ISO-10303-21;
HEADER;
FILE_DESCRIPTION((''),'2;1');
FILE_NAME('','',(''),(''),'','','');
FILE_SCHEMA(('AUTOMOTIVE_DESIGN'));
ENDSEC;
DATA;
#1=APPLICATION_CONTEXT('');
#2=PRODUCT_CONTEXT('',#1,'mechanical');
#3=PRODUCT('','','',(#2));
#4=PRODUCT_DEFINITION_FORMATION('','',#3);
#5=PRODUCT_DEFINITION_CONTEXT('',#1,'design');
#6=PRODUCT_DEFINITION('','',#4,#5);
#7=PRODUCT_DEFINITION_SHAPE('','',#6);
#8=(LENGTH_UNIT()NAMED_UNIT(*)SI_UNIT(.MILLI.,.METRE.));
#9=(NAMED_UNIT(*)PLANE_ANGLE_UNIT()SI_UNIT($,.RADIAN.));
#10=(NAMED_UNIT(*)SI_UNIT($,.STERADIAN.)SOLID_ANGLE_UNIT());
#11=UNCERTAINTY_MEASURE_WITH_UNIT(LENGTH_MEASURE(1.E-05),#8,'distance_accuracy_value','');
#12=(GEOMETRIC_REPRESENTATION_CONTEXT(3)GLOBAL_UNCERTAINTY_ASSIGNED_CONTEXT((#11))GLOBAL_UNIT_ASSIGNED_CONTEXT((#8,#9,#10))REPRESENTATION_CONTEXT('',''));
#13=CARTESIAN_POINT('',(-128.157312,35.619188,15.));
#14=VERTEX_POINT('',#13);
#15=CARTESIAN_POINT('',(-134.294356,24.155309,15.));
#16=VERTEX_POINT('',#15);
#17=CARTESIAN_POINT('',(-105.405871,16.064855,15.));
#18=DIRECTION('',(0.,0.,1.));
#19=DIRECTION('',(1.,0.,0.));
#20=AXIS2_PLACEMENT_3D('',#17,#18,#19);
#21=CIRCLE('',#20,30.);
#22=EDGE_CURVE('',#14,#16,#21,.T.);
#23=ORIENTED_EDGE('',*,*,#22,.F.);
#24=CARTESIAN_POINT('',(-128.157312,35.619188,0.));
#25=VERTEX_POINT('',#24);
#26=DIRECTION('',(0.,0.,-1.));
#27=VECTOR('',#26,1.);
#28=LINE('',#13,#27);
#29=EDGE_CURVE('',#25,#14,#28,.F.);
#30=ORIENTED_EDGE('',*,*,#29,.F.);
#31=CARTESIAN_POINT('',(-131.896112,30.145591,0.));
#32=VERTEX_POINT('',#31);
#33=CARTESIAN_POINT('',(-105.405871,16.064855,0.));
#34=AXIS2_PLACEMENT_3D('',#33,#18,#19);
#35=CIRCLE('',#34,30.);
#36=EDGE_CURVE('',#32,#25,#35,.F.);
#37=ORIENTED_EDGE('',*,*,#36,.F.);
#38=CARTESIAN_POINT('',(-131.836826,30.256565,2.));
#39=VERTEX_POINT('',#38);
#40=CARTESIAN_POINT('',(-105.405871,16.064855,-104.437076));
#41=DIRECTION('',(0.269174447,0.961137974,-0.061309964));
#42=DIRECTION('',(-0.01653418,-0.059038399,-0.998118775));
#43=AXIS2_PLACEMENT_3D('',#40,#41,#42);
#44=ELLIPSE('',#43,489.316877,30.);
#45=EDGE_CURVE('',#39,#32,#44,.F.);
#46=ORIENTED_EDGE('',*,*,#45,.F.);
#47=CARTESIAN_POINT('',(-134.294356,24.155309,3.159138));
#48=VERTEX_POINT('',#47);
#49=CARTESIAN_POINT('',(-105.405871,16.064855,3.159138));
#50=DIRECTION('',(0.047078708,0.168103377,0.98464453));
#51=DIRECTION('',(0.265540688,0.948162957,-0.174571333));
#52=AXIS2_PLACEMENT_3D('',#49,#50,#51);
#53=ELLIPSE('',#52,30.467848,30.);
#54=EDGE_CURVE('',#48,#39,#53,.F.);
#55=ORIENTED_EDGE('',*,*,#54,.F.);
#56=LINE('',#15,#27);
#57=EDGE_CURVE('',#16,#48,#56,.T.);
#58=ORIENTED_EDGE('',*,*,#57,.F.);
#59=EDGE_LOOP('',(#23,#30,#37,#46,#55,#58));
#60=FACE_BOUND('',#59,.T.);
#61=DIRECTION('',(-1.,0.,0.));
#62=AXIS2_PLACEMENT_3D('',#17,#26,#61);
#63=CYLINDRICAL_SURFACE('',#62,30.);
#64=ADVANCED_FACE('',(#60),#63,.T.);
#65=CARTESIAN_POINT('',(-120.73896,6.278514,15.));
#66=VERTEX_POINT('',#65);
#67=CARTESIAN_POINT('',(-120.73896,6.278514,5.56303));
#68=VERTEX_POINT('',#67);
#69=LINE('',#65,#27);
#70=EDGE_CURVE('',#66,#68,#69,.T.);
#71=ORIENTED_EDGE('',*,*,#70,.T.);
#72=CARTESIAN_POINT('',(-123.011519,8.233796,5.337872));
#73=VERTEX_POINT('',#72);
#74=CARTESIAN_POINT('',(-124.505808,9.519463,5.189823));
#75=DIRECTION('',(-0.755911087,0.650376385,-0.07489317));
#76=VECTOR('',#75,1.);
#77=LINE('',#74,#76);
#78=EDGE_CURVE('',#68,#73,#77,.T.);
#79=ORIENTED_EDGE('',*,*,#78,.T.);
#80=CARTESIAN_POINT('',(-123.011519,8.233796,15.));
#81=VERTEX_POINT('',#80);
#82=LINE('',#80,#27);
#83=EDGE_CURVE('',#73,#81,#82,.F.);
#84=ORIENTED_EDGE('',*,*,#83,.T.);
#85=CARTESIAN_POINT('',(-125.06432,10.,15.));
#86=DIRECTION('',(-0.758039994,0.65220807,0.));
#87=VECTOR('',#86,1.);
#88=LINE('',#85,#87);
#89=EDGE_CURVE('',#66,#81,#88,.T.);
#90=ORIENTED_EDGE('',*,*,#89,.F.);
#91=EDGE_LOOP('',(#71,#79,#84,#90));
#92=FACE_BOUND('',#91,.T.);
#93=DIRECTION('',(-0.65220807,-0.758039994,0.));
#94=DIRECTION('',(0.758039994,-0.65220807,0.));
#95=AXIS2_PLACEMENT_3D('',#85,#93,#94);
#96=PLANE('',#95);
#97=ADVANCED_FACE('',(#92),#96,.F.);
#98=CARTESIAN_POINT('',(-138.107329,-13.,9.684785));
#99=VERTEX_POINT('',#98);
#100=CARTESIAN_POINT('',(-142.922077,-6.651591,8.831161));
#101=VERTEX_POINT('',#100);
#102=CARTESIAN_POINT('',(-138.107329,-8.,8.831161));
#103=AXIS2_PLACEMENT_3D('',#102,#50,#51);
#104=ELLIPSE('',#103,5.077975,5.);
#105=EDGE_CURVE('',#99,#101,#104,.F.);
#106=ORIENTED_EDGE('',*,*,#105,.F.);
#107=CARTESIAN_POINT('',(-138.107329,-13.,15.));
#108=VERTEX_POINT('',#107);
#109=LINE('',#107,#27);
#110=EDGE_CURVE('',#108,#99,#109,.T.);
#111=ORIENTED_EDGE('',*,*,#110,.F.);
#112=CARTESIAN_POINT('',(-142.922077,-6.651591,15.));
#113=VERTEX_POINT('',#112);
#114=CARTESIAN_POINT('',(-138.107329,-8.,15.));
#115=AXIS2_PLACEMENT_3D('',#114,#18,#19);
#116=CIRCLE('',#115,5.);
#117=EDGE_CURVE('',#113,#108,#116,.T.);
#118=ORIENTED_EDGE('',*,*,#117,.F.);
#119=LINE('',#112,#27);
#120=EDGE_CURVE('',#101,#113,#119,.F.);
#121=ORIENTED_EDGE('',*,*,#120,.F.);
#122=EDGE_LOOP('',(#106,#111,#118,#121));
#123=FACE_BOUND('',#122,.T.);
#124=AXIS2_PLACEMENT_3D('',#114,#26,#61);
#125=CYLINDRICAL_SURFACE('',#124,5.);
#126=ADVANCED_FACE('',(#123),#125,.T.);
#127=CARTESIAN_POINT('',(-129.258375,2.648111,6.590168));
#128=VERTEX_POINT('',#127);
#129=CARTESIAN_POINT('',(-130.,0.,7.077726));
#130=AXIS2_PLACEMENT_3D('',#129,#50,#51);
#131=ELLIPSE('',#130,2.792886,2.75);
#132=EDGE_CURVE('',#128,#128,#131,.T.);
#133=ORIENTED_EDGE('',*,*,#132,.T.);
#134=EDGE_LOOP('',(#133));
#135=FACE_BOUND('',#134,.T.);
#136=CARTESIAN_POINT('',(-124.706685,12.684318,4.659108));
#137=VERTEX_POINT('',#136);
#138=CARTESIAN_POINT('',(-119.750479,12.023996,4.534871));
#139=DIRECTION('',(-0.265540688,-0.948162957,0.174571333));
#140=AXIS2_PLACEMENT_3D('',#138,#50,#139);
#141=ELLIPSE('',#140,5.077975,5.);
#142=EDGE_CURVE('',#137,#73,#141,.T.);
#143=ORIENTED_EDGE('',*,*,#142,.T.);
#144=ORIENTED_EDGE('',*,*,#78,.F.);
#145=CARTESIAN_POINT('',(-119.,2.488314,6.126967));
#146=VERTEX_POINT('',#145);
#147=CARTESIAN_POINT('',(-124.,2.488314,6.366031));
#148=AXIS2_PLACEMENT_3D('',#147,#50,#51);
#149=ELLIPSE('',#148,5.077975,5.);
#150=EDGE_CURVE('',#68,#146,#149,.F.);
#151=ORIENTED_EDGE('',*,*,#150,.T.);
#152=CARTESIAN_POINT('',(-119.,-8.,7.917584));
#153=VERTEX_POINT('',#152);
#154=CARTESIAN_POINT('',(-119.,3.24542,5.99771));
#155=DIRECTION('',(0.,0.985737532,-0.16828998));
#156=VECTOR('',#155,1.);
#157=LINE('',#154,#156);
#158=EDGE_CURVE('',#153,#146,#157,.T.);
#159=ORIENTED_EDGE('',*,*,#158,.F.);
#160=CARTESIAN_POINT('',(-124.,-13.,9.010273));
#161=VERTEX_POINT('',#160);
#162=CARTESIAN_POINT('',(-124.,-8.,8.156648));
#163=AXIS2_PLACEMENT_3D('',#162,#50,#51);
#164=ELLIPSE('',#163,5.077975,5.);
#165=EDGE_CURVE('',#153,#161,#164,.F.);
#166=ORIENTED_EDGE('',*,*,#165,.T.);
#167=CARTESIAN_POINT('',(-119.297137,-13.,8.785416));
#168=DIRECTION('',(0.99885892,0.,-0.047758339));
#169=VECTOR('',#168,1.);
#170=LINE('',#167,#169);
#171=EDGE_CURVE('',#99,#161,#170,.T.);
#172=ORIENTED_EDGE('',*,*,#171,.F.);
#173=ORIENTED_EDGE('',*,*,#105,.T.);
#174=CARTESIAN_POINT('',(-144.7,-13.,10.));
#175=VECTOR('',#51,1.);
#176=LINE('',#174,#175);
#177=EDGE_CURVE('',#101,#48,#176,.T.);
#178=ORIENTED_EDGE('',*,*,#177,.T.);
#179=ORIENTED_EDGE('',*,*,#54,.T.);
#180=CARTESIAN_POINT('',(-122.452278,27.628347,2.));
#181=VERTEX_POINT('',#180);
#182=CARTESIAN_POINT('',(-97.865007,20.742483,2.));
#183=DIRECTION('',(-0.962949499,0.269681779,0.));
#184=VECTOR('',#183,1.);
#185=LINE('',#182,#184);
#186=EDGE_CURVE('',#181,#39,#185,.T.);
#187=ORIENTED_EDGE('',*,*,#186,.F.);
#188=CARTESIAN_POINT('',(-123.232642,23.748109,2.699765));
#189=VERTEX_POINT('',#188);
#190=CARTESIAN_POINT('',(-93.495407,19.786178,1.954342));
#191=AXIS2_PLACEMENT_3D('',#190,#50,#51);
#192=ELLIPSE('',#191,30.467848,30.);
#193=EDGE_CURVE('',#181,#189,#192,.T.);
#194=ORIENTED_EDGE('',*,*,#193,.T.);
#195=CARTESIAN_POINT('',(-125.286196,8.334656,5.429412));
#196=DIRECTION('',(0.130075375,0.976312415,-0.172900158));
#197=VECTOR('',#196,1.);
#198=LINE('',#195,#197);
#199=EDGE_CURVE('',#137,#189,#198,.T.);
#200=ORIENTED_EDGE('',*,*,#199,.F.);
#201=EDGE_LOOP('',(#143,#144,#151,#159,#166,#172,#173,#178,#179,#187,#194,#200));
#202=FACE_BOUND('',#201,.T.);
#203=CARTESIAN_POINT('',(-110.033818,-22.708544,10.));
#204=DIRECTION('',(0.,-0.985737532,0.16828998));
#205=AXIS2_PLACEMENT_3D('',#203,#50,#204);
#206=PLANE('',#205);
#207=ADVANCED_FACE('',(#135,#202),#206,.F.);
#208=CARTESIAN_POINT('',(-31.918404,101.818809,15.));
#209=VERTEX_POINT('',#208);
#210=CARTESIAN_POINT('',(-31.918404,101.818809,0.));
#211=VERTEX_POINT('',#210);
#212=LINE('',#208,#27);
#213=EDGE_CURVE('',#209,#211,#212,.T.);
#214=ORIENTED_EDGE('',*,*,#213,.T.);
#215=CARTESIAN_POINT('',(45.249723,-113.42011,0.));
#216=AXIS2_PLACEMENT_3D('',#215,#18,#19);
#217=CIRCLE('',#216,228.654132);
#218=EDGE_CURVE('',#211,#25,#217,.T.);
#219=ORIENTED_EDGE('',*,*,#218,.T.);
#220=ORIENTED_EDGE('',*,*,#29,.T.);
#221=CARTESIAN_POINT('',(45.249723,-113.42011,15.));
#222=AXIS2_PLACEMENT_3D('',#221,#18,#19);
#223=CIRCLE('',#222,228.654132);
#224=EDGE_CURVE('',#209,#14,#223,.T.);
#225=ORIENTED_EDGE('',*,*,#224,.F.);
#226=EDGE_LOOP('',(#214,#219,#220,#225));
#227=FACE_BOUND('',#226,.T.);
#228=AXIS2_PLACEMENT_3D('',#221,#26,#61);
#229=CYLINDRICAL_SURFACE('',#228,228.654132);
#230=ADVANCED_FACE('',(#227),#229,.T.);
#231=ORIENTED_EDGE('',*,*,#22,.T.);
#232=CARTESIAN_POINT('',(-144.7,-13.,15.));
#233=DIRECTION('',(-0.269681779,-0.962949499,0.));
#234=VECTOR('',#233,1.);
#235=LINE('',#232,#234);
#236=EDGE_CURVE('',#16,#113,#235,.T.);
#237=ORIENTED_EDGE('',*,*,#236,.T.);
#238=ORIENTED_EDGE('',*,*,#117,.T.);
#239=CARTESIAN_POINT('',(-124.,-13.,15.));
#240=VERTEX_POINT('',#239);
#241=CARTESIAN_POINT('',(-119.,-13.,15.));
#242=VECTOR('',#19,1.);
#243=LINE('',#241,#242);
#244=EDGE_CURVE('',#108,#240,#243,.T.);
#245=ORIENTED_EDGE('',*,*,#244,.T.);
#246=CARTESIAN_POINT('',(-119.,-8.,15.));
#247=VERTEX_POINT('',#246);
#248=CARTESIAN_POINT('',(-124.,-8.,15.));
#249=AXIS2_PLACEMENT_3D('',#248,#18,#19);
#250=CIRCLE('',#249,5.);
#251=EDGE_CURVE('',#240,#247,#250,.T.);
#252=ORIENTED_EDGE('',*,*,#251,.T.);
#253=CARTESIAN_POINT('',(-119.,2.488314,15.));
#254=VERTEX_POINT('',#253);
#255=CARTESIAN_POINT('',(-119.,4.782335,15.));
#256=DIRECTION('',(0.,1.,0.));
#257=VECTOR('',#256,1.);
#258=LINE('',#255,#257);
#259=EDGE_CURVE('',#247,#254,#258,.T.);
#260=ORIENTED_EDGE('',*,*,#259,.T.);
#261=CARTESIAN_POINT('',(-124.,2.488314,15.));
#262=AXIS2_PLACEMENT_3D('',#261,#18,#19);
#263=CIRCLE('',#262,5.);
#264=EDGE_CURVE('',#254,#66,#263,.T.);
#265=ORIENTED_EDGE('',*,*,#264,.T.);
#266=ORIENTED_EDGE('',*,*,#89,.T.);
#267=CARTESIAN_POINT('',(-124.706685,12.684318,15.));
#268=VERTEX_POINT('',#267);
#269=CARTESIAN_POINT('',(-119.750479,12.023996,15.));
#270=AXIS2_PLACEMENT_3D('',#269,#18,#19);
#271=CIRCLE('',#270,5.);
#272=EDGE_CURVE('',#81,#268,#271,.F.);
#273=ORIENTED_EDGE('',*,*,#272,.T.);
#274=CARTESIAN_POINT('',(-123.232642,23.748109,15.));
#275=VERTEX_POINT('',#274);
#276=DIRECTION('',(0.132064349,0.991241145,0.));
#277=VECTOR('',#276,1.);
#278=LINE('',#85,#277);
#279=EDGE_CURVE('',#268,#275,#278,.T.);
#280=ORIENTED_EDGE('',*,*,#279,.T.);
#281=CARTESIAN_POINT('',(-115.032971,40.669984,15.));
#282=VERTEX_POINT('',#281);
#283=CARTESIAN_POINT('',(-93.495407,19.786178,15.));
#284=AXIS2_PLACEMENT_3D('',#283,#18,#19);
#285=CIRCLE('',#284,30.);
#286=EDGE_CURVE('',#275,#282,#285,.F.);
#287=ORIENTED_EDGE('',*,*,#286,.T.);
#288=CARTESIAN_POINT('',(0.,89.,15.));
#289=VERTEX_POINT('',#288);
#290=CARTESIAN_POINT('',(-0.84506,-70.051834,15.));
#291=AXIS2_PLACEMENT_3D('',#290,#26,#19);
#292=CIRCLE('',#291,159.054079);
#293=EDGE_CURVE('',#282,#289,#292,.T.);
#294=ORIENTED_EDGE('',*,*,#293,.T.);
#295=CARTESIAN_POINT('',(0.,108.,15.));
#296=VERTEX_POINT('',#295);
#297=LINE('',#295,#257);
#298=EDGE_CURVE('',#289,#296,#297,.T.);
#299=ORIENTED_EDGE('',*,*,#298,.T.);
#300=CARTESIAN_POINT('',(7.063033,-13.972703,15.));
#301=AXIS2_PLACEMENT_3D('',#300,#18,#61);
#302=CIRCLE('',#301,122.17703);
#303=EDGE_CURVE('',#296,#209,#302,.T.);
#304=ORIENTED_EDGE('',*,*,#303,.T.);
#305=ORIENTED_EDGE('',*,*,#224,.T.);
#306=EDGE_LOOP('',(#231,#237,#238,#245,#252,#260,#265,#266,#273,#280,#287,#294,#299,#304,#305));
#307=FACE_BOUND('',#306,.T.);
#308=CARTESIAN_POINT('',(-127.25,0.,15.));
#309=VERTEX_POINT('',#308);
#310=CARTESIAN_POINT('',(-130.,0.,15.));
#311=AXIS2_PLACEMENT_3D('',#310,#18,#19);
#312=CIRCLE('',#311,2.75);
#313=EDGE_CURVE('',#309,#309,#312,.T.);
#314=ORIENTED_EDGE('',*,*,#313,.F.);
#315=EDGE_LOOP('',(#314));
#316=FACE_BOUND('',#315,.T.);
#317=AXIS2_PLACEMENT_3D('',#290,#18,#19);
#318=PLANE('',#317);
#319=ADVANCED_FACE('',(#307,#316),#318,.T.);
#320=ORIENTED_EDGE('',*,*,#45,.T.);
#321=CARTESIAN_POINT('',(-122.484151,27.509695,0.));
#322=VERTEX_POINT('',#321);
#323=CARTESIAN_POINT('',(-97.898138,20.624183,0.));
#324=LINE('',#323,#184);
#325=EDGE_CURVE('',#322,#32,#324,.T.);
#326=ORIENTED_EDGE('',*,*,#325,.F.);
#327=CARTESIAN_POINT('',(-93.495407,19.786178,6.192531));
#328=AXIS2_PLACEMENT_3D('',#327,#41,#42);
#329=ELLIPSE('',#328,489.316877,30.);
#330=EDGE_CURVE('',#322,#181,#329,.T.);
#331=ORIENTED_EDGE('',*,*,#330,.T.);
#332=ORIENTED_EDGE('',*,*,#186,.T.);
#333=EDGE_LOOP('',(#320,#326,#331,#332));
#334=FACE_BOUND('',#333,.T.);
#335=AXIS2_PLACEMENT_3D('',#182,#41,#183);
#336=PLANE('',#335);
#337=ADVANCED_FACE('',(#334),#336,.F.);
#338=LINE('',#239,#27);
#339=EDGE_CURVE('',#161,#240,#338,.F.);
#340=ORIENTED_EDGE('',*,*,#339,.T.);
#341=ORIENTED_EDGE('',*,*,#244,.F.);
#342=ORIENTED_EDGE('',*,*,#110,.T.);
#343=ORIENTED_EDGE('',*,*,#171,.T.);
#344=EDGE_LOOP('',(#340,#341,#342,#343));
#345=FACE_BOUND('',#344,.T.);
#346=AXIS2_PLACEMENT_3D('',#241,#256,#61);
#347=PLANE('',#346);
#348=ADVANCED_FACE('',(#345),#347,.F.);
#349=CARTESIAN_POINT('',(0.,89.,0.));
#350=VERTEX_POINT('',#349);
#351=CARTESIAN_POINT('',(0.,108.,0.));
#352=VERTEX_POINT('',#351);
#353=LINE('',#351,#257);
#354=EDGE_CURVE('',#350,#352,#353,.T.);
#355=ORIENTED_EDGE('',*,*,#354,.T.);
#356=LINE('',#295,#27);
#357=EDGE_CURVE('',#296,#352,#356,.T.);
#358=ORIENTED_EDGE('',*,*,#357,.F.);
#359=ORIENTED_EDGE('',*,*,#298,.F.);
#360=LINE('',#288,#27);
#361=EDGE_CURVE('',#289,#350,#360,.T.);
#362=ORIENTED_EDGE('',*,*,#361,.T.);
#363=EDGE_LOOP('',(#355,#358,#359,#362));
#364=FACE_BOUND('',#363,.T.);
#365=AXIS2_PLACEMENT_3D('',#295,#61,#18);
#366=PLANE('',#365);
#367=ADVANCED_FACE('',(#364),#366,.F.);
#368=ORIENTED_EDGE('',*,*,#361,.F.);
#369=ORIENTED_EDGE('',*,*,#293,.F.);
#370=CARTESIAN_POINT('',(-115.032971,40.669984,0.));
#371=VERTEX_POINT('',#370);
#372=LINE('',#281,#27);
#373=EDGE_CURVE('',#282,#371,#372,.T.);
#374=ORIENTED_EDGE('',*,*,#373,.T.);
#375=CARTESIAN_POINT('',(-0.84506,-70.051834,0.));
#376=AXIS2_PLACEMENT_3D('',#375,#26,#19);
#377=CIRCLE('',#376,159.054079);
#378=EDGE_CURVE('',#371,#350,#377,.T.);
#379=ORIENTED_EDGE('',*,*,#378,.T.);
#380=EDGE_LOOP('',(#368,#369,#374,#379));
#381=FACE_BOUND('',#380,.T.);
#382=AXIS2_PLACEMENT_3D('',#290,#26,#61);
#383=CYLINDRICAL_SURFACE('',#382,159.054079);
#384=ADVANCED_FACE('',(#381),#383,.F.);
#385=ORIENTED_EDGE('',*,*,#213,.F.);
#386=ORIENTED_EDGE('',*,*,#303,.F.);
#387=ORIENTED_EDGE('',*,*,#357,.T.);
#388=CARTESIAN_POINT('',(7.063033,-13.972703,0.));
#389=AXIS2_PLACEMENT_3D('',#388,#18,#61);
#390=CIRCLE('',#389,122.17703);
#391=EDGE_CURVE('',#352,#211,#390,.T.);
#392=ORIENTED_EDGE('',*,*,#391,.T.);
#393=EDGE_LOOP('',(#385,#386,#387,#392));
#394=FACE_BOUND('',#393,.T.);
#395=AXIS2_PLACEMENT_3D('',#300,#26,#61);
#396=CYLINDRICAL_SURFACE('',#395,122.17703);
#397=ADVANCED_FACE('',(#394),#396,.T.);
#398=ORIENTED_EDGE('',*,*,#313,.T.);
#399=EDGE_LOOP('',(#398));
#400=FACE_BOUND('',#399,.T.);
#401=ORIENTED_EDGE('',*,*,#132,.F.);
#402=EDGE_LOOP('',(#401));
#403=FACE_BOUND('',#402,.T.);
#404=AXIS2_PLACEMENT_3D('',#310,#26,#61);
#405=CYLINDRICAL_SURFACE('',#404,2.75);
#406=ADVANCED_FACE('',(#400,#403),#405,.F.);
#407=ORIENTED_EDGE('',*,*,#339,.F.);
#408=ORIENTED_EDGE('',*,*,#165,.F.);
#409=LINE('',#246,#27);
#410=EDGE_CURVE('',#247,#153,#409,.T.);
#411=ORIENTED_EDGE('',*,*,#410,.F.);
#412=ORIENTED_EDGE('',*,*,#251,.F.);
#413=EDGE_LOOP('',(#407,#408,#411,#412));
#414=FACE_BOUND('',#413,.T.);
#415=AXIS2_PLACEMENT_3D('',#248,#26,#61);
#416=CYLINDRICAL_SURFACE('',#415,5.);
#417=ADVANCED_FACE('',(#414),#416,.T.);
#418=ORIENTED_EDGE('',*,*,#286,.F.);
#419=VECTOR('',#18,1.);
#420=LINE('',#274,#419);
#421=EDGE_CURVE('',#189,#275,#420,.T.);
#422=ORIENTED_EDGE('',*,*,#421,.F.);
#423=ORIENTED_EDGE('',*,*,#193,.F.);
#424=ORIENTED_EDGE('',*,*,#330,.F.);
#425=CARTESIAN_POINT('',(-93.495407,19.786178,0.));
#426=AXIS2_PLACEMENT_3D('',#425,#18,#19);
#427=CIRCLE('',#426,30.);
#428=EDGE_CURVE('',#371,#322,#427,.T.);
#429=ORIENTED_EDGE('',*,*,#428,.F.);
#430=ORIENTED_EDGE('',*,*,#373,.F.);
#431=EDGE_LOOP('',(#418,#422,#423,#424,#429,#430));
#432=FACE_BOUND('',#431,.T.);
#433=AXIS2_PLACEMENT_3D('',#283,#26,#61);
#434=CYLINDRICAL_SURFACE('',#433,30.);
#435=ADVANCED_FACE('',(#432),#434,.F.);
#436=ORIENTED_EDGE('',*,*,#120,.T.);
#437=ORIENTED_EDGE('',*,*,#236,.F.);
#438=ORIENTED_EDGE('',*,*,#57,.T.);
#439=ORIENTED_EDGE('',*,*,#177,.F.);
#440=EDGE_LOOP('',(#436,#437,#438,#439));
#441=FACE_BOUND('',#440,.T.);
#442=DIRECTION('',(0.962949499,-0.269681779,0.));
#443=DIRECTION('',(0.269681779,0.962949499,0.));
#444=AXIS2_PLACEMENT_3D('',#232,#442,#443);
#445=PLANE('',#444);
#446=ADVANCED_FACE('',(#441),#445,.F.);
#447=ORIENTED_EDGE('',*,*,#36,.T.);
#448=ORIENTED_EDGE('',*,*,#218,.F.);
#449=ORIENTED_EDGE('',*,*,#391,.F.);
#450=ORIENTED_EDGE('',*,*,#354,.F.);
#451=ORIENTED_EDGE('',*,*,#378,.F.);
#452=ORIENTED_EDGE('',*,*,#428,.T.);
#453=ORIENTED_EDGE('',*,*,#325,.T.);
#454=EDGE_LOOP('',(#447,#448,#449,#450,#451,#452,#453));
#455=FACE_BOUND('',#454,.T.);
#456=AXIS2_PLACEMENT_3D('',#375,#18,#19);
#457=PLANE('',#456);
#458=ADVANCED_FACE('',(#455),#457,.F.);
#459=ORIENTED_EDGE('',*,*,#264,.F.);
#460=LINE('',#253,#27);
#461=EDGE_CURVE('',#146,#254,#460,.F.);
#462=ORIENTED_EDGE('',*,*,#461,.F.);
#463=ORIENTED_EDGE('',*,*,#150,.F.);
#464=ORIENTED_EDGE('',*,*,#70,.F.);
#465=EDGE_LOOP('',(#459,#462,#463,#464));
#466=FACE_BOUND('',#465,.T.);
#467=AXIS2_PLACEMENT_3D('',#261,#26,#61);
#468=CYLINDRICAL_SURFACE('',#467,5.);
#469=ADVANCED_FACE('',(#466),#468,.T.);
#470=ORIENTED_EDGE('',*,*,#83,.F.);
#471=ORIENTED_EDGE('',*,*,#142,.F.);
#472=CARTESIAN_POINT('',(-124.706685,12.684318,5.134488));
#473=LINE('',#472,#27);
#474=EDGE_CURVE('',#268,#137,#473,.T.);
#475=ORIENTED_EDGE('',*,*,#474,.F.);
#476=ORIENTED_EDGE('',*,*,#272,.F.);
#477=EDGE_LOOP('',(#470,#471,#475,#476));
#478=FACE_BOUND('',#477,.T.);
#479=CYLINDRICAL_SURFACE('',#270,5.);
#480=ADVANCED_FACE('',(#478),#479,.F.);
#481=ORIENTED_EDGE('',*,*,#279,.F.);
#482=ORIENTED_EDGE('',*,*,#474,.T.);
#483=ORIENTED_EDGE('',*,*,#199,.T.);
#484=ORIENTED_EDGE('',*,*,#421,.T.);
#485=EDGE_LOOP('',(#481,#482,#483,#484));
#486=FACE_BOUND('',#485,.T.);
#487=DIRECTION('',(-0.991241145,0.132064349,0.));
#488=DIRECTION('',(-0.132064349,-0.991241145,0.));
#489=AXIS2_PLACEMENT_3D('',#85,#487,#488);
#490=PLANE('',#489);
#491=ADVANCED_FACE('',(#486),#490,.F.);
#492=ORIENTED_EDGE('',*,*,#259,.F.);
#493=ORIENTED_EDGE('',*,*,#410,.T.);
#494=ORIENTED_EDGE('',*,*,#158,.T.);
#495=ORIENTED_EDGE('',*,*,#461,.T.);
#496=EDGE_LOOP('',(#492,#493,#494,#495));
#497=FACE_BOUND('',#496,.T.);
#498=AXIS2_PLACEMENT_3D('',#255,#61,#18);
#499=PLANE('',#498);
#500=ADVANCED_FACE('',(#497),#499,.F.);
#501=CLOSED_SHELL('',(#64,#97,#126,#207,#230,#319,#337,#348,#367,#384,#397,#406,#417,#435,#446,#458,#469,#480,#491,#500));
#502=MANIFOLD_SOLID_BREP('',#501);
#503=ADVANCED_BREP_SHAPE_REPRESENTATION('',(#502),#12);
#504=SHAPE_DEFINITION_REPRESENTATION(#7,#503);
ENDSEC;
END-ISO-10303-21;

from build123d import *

# Parameters (mm, degrees)
ESQUISSE2_R             = 2.75
BOSS_EXTRU_1_DEPTH      = 15
ENL_V_MAT_EXTRU_1_DEPTH = 36
CONG_1_R                = 30
CONG_2_R                = 30
CONG_3_R                = 5
CONG_4_R                = 5
CONG_5_R                = 5
CONG_6_R                = 5


with BuildPart() as part:
    # Esquisse2 → Boss.-Extru.1 (new body)
    with BuildSketch(Plane.XY):
        with BuildLine():
            Line((-125.064319956, 10), (-122, 33))
            ThreePointArc((-122, 33), (-67.197277761, 74.501212265), (0, 89))
            Line((0, 89), (0, 108))
            ThreePointArc((0, 108), (-16.165722488, 105.975834437), (-31.918403878, 101.818809198))
            ThreePointArc((-31.918403878, 101.818809198), (-87.157005326, 72.996548183), (-132.564319956, 30.332727469))
            Line((-132.564319956, 30.332727469), (-144.7, -13))
            Line((-144.7, -13), (-119, -13))
            Line((-119, -13), (-119, 4.782335439))
            Line((-119, 4.782335439), (-125.064319956, 10))
        make_face()
        with Locations((-130, 0)):
            Circle(ESQUISSE2_R, mode=Mode.SUBTRACT)
    extrude(amount=BOSS_EXTRU_1_DEPTH)

    # Esquisse5 → Enlèv. mat.-Extru.1 (cut)
    with BuildSketch(Plane(origin=(-130.800251379, 36.631666021, 0), x_dir=(0, 0, 1), z_dir=(-0.9629494993021883, 0.2696817787572327, 0))):
        Polygon((0, -51.541296877), (10, -51.541296877), (2, -6.418445839), (0, -6.541296877), align=None)
    extrude(amount=-ENL_V_MAT_EXTRU_1_DEPTH, mode=Mode.SUBTRACT)

    # Congé1
    cong_1_edges = [part.edges().sort_by_distance(p)[0] for p in [
        (-132.564319956, 30.332727469, 8.510890361),
    ]]
    fillet(cong_1_edges, radius=CONG_1_R)

    # Congé2
    cong_2_edges = [part.edges().sort_by_distance(p)[0] for p in [
        (-122, 33, 7.5),
    ]]
    fillet(cong_2_edges, radius=CONG_2_R)

    # Congé3
    cong_3_edges = [part.edges().sort_by_distance(p)[0] for p in [
        (-125.064319956, 10, 10.067243827),
    ]]
    fillet(cong_3_edges, radius=CONG_3_R)

    # Congé4
    cong_4_edges = [part.edges().sort_by_distance(p)[0] for p in [
        (-119, 4.782335439, 10.367660206),
    ]]
    fillet(cong_4_edges, radius=CONG_4_R)

    # Congé5
    cong_5_edges = [part.edges().sort_by_distance(p)[0] for p in [
        (-119, -13, 11.885604273),
    ]]
    fillet(cong_5_edges, radius=CONG_5_R)

    # Congé6
    cong_6_edges = [part.edges().sort_by_distance(p)[0] for p in [
        (-144.7, -13, 12.5),
    ]]
    fillet(cong_6_edges, radius=CONG_6_R)


solid = part.part
